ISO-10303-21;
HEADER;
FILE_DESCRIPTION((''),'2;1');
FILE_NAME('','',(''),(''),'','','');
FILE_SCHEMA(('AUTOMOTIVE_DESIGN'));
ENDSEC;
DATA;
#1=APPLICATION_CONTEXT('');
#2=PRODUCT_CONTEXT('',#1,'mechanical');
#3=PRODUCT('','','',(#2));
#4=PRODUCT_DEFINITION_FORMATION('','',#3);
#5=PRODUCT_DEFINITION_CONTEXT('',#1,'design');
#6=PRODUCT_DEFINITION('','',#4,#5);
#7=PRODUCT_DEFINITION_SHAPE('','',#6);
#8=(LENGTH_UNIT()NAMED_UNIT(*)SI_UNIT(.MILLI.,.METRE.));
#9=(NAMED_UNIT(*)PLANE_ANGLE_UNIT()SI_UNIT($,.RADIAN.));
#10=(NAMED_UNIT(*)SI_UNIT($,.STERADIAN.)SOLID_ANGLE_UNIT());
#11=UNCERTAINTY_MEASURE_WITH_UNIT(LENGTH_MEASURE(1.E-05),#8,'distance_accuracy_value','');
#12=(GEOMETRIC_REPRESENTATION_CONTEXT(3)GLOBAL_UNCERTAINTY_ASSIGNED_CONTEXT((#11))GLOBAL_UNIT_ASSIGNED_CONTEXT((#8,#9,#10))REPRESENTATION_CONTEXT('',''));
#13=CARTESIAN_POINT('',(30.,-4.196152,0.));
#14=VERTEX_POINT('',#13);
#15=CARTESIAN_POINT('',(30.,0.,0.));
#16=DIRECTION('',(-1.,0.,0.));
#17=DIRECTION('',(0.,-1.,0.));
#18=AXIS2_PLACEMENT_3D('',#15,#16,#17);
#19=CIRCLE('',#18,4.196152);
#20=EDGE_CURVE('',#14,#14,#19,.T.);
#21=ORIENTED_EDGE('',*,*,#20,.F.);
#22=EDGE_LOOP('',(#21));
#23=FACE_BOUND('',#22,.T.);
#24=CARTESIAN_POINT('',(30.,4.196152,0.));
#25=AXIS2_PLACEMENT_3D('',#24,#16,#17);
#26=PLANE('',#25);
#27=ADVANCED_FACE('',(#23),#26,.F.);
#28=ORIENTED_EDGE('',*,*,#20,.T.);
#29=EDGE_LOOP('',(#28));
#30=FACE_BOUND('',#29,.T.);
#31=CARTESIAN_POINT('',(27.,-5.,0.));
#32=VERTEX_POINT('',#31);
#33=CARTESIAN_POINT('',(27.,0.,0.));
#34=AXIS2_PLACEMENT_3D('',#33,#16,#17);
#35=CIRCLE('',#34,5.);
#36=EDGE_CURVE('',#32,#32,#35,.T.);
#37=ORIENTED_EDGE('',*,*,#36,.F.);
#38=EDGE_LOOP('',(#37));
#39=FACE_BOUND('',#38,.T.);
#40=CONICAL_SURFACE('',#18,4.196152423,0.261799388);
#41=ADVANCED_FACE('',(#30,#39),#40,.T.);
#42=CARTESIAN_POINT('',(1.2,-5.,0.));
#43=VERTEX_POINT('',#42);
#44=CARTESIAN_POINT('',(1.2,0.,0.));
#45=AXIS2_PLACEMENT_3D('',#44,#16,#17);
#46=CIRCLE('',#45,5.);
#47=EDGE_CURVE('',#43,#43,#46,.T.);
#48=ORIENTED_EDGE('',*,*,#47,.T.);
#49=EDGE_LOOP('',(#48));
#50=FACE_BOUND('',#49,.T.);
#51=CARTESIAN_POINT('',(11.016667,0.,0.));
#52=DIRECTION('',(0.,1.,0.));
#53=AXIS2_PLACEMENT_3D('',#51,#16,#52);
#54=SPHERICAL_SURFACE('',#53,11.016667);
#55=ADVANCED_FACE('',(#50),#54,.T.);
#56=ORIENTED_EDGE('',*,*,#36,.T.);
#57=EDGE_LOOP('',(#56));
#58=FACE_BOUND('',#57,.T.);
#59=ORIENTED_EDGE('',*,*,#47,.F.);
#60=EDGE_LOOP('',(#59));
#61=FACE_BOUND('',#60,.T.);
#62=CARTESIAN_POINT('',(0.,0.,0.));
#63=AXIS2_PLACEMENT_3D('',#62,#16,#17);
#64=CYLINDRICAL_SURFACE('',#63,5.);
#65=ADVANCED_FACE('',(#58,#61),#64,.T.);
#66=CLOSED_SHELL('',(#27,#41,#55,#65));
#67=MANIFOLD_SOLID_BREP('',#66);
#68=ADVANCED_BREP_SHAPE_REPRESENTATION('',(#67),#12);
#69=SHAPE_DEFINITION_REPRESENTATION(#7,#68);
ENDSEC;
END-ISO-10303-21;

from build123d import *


with BuildPart() as part:
    # BodySke → Body (revolve)
    with BuildSketch(Plane.XY, mode=Mode.PRIVATE) as body_sk:
        with BuildLine():
            Line((27, 5), (30, 4.196152423))
            Line((30, 4.196152423), (30, 0))
            Line((30, 0), (0, 0))
            ThreePointArc((0, 0), (0.30419989, 2.570992026), (1.2, 5))
            Line((1.2, 5), (27, 5))
        make_face()
    revolve(body_sk.sketch.rotate(Axis((0, 0, 0), (1, 0, 0)), 180), axis=Axis((0, 0, 0), (1, 0, 0)))


solid = part.part
